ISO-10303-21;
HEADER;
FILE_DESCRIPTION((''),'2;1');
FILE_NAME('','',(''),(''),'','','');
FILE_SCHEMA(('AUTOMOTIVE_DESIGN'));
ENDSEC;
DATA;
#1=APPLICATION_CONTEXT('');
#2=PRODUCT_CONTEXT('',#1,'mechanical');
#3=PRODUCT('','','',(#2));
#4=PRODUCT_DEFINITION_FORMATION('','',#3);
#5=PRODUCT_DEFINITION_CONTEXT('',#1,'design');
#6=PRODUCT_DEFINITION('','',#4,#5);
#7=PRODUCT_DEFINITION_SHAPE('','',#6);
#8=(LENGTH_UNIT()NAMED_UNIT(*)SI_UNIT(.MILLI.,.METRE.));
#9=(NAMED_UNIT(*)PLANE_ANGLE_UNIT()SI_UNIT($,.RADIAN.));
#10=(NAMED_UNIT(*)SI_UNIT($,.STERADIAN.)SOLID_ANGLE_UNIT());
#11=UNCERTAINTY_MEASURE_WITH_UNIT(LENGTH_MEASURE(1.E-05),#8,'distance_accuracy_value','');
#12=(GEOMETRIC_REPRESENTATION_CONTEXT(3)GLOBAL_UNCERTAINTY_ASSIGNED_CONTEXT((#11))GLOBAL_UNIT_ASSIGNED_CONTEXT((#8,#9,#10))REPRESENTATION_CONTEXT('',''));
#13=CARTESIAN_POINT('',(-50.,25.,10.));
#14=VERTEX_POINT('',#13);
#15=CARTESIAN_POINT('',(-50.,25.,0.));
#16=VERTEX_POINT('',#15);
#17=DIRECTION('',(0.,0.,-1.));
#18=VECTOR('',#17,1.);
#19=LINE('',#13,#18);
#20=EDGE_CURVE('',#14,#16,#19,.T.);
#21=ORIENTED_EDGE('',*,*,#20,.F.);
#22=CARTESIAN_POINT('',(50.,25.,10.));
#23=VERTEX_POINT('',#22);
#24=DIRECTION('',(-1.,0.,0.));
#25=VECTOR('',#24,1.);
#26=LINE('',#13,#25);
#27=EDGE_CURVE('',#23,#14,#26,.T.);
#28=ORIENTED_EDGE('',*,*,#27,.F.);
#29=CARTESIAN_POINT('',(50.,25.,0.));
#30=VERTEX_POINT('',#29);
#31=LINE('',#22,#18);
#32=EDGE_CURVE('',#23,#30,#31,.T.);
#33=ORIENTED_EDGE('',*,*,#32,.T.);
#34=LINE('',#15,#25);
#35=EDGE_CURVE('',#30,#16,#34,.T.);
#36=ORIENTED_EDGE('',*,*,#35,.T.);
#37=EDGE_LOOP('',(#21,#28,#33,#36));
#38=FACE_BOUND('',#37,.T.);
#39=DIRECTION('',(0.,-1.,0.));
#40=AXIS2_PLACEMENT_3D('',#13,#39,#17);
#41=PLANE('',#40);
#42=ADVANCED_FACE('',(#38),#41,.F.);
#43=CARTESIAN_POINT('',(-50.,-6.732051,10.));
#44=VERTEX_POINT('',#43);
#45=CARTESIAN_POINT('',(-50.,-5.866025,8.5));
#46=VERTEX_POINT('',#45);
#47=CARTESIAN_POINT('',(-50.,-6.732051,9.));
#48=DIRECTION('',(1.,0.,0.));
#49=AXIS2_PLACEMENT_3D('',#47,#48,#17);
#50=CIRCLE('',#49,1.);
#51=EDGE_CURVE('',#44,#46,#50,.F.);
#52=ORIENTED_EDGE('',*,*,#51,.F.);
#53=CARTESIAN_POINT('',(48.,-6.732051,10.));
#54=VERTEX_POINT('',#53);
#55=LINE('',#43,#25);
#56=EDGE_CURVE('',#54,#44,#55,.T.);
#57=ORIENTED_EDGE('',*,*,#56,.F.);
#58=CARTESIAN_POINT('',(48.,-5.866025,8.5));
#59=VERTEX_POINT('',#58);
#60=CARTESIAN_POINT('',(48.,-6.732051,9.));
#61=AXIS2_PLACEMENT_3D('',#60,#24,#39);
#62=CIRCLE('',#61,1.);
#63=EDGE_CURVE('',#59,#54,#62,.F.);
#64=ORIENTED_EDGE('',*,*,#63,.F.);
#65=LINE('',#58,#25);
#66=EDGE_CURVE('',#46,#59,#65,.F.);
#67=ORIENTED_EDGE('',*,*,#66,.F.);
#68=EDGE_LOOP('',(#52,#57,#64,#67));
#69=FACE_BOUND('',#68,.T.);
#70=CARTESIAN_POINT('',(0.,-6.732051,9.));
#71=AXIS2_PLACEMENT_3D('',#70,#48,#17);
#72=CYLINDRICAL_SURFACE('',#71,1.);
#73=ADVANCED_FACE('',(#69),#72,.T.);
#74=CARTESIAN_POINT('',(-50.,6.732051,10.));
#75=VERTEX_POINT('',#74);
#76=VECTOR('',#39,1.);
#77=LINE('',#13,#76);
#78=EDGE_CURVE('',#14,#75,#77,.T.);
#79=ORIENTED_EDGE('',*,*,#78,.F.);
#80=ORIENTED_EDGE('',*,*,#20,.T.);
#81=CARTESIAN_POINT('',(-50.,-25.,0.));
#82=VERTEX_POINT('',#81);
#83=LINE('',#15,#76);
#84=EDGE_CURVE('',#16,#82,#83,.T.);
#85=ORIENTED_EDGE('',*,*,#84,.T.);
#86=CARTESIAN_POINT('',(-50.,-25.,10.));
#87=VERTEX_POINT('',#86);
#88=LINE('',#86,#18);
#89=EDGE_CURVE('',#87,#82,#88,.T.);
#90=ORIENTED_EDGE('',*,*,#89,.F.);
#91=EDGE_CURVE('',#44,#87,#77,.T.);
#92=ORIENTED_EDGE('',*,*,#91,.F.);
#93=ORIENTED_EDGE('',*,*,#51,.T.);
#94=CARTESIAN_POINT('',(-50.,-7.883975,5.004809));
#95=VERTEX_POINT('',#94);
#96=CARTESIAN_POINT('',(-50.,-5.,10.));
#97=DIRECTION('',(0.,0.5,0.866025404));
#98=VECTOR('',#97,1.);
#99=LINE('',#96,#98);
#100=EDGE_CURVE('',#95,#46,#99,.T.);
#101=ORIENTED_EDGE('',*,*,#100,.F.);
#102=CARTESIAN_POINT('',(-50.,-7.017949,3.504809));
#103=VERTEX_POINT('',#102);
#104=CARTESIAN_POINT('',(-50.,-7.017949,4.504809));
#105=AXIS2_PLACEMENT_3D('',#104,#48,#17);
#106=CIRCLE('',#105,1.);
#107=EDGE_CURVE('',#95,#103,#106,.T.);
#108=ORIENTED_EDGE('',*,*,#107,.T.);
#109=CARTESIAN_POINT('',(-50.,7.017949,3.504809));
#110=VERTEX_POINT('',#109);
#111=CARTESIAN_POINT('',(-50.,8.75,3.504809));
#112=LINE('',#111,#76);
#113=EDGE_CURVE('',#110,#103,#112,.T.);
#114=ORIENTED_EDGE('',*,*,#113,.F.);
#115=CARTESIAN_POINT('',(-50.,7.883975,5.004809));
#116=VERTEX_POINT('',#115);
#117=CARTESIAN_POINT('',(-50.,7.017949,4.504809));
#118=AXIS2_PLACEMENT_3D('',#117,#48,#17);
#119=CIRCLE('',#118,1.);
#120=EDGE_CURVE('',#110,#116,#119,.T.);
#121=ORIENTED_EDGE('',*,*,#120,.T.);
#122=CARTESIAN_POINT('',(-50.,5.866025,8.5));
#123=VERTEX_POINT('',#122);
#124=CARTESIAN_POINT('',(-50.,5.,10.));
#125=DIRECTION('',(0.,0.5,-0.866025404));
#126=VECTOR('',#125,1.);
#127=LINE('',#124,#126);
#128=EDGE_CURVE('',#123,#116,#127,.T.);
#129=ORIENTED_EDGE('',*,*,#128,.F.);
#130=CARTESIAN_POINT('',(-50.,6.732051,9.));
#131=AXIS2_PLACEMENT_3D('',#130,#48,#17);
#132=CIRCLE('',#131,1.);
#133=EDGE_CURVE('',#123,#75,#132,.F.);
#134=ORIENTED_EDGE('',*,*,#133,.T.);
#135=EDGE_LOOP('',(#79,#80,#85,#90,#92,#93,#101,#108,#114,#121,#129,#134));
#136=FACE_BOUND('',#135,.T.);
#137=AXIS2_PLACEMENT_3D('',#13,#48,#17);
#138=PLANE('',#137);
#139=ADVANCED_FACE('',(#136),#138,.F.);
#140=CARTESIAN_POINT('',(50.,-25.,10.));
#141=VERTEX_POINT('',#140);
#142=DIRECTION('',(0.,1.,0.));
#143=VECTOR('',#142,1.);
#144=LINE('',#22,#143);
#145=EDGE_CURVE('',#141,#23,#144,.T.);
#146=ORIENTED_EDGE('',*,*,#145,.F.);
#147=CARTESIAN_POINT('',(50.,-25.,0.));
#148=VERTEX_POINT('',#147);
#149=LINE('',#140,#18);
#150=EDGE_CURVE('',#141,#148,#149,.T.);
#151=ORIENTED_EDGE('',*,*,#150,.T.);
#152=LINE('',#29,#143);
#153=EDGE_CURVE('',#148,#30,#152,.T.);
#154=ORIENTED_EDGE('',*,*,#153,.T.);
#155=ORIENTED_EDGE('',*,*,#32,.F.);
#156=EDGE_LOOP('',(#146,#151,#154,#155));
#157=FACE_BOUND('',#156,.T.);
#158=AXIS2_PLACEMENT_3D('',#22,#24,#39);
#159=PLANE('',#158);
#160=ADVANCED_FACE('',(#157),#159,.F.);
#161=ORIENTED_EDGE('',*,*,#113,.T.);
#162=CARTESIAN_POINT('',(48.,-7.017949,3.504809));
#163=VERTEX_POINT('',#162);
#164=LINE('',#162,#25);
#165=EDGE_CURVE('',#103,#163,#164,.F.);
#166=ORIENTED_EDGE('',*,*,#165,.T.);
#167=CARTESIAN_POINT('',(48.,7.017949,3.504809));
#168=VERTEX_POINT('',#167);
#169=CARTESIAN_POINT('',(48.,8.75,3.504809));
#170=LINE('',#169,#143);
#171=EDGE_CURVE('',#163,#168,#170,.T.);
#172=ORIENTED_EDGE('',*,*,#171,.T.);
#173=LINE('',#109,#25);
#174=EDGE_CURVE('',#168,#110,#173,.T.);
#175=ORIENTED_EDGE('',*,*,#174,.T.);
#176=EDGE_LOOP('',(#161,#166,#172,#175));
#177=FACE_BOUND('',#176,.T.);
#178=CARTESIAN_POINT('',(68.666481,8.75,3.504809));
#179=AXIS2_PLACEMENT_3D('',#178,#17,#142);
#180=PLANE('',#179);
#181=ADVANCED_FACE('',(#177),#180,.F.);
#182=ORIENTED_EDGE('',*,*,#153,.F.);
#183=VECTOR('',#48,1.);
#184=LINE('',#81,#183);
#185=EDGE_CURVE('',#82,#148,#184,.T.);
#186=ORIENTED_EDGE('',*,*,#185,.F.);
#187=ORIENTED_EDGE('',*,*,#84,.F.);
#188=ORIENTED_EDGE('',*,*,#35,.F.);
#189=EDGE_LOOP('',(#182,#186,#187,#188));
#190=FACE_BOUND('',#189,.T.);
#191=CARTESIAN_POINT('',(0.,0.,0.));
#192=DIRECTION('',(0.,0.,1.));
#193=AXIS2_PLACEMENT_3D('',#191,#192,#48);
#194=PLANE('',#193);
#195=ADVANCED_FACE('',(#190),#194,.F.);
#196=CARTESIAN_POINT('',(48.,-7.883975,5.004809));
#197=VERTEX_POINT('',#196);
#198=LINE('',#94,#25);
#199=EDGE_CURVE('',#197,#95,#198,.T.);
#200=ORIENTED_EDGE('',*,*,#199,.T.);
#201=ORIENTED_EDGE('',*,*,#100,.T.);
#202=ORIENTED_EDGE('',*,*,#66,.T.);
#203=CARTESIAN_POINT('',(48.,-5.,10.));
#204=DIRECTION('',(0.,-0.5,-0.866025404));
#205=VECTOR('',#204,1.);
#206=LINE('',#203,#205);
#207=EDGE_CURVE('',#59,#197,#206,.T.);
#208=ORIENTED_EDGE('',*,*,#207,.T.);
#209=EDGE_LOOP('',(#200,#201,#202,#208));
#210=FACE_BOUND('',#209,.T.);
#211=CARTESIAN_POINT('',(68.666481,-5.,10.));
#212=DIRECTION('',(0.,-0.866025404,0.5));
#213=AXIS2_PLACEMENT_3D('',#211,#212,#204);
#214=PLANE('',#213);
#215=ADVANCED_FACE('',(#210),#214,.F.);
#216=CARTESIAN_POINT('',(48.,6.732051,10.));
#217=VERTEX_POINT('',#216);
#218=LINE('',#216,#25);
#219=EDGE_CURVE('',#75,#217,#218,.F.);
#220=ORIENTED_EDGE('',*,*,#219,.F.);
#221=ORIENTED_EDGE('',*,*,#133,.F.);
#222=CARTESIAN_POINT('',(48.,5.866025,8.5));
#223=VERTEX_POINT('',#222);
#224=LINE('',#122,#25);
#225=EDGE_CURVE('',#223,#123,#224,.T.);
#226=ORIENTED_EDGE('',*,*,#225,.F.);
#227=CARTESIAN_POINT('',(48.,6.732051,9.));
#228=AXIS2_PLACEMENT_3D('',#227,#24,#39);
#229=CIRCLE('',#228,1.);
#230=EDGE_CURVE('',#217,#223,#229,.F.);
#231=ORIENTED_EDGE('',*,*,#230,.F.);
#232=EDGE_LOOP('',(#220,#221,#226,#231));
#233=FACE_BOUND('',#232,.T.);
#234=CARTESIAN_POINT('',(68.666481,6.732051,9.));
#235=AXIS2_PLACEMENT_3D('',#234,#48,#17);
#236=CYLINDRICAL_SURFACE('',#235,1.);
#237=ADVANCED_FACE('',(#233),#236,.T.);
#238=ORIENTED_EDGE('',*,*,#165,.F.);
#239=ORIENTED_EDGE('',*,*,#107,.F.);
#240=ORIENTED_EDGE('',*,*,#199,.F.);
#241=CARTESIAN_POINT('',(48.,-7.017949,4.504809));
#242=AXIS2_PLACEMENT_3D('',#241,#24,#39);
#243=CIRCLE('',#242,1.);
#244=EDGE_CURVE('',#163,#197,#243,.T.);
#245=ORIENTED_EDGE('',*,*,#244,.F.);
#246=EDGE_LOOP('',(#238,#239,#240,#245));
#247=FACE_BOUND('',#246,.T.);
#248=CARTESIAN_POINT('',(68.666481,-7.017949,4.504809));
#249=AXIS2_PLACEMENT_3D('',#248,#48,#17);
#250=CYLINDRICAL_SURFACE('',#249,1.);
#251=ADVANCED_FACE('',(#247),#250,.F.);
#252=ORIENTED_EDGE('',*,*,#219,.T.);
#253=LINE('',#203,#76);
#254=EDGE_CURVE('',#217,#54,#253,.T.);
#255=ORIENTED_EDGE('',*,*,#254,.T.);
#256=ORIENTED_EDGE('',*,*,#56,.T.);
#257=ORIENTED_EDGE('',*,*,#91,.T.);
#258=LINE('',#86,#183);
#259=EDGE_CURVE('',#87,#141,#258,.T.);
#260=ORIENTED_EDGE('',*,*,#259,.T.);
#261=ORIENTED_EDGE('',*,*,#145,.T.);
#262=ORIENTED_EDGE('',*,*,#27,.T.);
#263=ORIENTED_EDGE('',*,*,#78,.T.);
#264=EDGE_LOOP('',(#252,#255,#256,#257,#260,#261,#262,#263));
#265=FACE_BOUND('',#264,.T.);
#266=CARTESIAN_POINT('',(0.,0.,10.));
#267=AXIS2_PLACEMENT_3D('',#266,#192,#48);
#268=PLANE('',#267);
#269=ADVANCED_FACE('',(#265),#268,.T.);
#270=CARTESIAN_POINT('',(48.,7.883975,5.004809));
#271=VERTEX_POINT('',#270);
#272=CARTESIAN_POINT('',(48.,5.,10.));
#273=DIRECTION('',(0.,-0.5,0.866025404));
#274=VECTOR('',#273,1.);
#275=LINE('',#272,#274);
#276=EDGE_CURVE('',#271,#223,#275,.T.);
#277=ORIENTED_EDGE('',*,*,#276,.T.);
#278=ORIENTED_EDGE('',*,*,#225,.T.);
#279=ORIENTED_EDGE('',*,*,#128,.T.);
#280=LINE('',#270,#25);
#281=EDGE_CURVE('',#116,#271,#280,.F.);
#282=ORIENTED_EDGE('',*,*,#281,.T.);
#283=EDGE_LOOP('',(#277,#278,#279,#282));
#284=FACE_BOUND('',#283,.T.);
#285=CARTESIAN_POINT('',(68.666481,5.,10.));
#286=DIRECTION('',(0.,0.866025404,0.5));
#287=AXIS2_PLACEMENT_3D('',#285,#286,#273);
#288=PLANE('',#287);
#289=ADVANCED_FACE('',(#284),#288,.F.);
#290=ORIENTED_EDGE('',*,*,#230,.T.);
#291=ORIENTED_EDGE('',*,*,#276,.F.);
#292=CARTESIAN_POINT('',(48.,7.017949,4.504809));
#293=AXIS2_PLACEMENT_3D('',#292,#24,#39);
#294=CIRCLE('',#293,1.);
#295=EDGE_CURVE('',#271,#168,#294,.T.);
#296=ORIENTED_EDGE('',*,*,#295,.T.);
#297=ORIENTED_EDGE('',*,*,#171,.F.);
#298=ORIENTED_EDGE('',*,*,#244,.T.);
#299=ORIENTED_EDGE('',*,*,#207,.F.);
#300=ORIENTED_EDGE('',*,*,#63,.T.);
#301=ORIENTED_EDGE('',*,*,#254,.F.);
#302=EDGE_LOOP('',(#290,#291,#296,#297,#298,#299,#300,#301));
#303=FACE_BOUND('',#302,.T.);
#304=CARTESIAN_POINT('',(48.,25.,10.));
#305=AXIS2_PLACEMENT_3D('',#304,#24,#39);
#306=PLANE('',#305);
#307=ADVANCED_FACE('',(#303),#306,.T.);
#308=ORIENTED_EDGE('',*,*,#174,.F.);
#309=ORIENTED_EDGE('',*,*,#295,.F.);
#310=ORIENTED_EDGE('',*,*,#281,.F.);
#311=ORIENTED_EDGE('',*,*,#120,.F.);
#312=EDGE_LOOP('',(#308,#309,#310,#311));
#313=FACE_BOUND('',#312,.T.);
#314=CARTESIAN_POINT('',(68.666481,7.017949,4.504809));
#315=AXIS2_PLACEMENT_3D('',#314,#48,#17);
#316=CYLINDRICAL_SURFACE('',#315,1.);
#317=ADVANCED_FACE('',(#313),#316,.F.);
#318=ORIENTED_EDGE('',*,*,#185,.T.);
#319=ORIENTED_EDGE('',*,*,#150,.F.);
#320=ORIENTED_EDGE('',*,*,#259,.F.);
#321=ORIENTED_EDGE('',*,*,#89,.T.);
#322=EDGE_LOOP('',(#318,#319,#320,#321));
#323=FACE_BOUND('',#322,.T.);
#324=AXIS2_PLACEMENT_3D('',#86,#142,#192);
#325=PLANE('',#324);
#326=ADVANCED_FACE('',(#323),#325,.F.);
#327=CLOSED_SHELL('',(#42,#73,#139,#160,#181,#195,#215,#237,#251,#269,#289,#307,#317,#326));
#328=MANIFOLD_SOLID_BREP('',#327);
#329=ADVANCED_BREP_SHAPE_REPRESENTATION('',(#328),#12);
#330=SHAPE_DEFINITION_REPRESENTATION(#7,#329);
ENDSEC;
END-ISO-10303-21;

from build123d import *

# Parameters (mm, degrees)
IZIM1_W                     = 100
IZIM1_H                     = 50
Y_KSEKLIK_EKSTR_ZYON1_DEPTH = 10
KES_EKSTR_ZYON1_DEPTH       = 98
RADYUS1_R                   = 1


with BuildPart() as part:
    # Çizim1 → Yükseklik-Ekstrüzyon1 (new body)
    with BuildSketch(Plane.XY):
        Rectangle(IZIM1_W, IZIM1_H)
    extrude(amount=Y_KSEKLIK_EKSTR_ZYON1_DEPTH)

    # Çizim2 → Kes-Ekstrüzyon1 (cut)
    with BuildSketch(Plane.ZY.offset(50)):
        Polygon((10, 5), (3.504809472, 8.75), (3.504809472, -8.75), (10, -5), align=None)
    extrude(amount=-KES_EKSTR_ZYON1_DEPTH, mode=Mode.SUBTRACT)

    # Radyus1
    radyus1_edges = [part.edges().sort_by_distance(p)[0] for p in [
        (-1, 5, 10),
        (-1, -5, 10),
        (-1, -8.75, 3.504809472),
        (-1, 8.75, 3.504809472),
    ]]
    fillet(radyus1_edges, radius=RADYUS1_R)


solid = part.part
